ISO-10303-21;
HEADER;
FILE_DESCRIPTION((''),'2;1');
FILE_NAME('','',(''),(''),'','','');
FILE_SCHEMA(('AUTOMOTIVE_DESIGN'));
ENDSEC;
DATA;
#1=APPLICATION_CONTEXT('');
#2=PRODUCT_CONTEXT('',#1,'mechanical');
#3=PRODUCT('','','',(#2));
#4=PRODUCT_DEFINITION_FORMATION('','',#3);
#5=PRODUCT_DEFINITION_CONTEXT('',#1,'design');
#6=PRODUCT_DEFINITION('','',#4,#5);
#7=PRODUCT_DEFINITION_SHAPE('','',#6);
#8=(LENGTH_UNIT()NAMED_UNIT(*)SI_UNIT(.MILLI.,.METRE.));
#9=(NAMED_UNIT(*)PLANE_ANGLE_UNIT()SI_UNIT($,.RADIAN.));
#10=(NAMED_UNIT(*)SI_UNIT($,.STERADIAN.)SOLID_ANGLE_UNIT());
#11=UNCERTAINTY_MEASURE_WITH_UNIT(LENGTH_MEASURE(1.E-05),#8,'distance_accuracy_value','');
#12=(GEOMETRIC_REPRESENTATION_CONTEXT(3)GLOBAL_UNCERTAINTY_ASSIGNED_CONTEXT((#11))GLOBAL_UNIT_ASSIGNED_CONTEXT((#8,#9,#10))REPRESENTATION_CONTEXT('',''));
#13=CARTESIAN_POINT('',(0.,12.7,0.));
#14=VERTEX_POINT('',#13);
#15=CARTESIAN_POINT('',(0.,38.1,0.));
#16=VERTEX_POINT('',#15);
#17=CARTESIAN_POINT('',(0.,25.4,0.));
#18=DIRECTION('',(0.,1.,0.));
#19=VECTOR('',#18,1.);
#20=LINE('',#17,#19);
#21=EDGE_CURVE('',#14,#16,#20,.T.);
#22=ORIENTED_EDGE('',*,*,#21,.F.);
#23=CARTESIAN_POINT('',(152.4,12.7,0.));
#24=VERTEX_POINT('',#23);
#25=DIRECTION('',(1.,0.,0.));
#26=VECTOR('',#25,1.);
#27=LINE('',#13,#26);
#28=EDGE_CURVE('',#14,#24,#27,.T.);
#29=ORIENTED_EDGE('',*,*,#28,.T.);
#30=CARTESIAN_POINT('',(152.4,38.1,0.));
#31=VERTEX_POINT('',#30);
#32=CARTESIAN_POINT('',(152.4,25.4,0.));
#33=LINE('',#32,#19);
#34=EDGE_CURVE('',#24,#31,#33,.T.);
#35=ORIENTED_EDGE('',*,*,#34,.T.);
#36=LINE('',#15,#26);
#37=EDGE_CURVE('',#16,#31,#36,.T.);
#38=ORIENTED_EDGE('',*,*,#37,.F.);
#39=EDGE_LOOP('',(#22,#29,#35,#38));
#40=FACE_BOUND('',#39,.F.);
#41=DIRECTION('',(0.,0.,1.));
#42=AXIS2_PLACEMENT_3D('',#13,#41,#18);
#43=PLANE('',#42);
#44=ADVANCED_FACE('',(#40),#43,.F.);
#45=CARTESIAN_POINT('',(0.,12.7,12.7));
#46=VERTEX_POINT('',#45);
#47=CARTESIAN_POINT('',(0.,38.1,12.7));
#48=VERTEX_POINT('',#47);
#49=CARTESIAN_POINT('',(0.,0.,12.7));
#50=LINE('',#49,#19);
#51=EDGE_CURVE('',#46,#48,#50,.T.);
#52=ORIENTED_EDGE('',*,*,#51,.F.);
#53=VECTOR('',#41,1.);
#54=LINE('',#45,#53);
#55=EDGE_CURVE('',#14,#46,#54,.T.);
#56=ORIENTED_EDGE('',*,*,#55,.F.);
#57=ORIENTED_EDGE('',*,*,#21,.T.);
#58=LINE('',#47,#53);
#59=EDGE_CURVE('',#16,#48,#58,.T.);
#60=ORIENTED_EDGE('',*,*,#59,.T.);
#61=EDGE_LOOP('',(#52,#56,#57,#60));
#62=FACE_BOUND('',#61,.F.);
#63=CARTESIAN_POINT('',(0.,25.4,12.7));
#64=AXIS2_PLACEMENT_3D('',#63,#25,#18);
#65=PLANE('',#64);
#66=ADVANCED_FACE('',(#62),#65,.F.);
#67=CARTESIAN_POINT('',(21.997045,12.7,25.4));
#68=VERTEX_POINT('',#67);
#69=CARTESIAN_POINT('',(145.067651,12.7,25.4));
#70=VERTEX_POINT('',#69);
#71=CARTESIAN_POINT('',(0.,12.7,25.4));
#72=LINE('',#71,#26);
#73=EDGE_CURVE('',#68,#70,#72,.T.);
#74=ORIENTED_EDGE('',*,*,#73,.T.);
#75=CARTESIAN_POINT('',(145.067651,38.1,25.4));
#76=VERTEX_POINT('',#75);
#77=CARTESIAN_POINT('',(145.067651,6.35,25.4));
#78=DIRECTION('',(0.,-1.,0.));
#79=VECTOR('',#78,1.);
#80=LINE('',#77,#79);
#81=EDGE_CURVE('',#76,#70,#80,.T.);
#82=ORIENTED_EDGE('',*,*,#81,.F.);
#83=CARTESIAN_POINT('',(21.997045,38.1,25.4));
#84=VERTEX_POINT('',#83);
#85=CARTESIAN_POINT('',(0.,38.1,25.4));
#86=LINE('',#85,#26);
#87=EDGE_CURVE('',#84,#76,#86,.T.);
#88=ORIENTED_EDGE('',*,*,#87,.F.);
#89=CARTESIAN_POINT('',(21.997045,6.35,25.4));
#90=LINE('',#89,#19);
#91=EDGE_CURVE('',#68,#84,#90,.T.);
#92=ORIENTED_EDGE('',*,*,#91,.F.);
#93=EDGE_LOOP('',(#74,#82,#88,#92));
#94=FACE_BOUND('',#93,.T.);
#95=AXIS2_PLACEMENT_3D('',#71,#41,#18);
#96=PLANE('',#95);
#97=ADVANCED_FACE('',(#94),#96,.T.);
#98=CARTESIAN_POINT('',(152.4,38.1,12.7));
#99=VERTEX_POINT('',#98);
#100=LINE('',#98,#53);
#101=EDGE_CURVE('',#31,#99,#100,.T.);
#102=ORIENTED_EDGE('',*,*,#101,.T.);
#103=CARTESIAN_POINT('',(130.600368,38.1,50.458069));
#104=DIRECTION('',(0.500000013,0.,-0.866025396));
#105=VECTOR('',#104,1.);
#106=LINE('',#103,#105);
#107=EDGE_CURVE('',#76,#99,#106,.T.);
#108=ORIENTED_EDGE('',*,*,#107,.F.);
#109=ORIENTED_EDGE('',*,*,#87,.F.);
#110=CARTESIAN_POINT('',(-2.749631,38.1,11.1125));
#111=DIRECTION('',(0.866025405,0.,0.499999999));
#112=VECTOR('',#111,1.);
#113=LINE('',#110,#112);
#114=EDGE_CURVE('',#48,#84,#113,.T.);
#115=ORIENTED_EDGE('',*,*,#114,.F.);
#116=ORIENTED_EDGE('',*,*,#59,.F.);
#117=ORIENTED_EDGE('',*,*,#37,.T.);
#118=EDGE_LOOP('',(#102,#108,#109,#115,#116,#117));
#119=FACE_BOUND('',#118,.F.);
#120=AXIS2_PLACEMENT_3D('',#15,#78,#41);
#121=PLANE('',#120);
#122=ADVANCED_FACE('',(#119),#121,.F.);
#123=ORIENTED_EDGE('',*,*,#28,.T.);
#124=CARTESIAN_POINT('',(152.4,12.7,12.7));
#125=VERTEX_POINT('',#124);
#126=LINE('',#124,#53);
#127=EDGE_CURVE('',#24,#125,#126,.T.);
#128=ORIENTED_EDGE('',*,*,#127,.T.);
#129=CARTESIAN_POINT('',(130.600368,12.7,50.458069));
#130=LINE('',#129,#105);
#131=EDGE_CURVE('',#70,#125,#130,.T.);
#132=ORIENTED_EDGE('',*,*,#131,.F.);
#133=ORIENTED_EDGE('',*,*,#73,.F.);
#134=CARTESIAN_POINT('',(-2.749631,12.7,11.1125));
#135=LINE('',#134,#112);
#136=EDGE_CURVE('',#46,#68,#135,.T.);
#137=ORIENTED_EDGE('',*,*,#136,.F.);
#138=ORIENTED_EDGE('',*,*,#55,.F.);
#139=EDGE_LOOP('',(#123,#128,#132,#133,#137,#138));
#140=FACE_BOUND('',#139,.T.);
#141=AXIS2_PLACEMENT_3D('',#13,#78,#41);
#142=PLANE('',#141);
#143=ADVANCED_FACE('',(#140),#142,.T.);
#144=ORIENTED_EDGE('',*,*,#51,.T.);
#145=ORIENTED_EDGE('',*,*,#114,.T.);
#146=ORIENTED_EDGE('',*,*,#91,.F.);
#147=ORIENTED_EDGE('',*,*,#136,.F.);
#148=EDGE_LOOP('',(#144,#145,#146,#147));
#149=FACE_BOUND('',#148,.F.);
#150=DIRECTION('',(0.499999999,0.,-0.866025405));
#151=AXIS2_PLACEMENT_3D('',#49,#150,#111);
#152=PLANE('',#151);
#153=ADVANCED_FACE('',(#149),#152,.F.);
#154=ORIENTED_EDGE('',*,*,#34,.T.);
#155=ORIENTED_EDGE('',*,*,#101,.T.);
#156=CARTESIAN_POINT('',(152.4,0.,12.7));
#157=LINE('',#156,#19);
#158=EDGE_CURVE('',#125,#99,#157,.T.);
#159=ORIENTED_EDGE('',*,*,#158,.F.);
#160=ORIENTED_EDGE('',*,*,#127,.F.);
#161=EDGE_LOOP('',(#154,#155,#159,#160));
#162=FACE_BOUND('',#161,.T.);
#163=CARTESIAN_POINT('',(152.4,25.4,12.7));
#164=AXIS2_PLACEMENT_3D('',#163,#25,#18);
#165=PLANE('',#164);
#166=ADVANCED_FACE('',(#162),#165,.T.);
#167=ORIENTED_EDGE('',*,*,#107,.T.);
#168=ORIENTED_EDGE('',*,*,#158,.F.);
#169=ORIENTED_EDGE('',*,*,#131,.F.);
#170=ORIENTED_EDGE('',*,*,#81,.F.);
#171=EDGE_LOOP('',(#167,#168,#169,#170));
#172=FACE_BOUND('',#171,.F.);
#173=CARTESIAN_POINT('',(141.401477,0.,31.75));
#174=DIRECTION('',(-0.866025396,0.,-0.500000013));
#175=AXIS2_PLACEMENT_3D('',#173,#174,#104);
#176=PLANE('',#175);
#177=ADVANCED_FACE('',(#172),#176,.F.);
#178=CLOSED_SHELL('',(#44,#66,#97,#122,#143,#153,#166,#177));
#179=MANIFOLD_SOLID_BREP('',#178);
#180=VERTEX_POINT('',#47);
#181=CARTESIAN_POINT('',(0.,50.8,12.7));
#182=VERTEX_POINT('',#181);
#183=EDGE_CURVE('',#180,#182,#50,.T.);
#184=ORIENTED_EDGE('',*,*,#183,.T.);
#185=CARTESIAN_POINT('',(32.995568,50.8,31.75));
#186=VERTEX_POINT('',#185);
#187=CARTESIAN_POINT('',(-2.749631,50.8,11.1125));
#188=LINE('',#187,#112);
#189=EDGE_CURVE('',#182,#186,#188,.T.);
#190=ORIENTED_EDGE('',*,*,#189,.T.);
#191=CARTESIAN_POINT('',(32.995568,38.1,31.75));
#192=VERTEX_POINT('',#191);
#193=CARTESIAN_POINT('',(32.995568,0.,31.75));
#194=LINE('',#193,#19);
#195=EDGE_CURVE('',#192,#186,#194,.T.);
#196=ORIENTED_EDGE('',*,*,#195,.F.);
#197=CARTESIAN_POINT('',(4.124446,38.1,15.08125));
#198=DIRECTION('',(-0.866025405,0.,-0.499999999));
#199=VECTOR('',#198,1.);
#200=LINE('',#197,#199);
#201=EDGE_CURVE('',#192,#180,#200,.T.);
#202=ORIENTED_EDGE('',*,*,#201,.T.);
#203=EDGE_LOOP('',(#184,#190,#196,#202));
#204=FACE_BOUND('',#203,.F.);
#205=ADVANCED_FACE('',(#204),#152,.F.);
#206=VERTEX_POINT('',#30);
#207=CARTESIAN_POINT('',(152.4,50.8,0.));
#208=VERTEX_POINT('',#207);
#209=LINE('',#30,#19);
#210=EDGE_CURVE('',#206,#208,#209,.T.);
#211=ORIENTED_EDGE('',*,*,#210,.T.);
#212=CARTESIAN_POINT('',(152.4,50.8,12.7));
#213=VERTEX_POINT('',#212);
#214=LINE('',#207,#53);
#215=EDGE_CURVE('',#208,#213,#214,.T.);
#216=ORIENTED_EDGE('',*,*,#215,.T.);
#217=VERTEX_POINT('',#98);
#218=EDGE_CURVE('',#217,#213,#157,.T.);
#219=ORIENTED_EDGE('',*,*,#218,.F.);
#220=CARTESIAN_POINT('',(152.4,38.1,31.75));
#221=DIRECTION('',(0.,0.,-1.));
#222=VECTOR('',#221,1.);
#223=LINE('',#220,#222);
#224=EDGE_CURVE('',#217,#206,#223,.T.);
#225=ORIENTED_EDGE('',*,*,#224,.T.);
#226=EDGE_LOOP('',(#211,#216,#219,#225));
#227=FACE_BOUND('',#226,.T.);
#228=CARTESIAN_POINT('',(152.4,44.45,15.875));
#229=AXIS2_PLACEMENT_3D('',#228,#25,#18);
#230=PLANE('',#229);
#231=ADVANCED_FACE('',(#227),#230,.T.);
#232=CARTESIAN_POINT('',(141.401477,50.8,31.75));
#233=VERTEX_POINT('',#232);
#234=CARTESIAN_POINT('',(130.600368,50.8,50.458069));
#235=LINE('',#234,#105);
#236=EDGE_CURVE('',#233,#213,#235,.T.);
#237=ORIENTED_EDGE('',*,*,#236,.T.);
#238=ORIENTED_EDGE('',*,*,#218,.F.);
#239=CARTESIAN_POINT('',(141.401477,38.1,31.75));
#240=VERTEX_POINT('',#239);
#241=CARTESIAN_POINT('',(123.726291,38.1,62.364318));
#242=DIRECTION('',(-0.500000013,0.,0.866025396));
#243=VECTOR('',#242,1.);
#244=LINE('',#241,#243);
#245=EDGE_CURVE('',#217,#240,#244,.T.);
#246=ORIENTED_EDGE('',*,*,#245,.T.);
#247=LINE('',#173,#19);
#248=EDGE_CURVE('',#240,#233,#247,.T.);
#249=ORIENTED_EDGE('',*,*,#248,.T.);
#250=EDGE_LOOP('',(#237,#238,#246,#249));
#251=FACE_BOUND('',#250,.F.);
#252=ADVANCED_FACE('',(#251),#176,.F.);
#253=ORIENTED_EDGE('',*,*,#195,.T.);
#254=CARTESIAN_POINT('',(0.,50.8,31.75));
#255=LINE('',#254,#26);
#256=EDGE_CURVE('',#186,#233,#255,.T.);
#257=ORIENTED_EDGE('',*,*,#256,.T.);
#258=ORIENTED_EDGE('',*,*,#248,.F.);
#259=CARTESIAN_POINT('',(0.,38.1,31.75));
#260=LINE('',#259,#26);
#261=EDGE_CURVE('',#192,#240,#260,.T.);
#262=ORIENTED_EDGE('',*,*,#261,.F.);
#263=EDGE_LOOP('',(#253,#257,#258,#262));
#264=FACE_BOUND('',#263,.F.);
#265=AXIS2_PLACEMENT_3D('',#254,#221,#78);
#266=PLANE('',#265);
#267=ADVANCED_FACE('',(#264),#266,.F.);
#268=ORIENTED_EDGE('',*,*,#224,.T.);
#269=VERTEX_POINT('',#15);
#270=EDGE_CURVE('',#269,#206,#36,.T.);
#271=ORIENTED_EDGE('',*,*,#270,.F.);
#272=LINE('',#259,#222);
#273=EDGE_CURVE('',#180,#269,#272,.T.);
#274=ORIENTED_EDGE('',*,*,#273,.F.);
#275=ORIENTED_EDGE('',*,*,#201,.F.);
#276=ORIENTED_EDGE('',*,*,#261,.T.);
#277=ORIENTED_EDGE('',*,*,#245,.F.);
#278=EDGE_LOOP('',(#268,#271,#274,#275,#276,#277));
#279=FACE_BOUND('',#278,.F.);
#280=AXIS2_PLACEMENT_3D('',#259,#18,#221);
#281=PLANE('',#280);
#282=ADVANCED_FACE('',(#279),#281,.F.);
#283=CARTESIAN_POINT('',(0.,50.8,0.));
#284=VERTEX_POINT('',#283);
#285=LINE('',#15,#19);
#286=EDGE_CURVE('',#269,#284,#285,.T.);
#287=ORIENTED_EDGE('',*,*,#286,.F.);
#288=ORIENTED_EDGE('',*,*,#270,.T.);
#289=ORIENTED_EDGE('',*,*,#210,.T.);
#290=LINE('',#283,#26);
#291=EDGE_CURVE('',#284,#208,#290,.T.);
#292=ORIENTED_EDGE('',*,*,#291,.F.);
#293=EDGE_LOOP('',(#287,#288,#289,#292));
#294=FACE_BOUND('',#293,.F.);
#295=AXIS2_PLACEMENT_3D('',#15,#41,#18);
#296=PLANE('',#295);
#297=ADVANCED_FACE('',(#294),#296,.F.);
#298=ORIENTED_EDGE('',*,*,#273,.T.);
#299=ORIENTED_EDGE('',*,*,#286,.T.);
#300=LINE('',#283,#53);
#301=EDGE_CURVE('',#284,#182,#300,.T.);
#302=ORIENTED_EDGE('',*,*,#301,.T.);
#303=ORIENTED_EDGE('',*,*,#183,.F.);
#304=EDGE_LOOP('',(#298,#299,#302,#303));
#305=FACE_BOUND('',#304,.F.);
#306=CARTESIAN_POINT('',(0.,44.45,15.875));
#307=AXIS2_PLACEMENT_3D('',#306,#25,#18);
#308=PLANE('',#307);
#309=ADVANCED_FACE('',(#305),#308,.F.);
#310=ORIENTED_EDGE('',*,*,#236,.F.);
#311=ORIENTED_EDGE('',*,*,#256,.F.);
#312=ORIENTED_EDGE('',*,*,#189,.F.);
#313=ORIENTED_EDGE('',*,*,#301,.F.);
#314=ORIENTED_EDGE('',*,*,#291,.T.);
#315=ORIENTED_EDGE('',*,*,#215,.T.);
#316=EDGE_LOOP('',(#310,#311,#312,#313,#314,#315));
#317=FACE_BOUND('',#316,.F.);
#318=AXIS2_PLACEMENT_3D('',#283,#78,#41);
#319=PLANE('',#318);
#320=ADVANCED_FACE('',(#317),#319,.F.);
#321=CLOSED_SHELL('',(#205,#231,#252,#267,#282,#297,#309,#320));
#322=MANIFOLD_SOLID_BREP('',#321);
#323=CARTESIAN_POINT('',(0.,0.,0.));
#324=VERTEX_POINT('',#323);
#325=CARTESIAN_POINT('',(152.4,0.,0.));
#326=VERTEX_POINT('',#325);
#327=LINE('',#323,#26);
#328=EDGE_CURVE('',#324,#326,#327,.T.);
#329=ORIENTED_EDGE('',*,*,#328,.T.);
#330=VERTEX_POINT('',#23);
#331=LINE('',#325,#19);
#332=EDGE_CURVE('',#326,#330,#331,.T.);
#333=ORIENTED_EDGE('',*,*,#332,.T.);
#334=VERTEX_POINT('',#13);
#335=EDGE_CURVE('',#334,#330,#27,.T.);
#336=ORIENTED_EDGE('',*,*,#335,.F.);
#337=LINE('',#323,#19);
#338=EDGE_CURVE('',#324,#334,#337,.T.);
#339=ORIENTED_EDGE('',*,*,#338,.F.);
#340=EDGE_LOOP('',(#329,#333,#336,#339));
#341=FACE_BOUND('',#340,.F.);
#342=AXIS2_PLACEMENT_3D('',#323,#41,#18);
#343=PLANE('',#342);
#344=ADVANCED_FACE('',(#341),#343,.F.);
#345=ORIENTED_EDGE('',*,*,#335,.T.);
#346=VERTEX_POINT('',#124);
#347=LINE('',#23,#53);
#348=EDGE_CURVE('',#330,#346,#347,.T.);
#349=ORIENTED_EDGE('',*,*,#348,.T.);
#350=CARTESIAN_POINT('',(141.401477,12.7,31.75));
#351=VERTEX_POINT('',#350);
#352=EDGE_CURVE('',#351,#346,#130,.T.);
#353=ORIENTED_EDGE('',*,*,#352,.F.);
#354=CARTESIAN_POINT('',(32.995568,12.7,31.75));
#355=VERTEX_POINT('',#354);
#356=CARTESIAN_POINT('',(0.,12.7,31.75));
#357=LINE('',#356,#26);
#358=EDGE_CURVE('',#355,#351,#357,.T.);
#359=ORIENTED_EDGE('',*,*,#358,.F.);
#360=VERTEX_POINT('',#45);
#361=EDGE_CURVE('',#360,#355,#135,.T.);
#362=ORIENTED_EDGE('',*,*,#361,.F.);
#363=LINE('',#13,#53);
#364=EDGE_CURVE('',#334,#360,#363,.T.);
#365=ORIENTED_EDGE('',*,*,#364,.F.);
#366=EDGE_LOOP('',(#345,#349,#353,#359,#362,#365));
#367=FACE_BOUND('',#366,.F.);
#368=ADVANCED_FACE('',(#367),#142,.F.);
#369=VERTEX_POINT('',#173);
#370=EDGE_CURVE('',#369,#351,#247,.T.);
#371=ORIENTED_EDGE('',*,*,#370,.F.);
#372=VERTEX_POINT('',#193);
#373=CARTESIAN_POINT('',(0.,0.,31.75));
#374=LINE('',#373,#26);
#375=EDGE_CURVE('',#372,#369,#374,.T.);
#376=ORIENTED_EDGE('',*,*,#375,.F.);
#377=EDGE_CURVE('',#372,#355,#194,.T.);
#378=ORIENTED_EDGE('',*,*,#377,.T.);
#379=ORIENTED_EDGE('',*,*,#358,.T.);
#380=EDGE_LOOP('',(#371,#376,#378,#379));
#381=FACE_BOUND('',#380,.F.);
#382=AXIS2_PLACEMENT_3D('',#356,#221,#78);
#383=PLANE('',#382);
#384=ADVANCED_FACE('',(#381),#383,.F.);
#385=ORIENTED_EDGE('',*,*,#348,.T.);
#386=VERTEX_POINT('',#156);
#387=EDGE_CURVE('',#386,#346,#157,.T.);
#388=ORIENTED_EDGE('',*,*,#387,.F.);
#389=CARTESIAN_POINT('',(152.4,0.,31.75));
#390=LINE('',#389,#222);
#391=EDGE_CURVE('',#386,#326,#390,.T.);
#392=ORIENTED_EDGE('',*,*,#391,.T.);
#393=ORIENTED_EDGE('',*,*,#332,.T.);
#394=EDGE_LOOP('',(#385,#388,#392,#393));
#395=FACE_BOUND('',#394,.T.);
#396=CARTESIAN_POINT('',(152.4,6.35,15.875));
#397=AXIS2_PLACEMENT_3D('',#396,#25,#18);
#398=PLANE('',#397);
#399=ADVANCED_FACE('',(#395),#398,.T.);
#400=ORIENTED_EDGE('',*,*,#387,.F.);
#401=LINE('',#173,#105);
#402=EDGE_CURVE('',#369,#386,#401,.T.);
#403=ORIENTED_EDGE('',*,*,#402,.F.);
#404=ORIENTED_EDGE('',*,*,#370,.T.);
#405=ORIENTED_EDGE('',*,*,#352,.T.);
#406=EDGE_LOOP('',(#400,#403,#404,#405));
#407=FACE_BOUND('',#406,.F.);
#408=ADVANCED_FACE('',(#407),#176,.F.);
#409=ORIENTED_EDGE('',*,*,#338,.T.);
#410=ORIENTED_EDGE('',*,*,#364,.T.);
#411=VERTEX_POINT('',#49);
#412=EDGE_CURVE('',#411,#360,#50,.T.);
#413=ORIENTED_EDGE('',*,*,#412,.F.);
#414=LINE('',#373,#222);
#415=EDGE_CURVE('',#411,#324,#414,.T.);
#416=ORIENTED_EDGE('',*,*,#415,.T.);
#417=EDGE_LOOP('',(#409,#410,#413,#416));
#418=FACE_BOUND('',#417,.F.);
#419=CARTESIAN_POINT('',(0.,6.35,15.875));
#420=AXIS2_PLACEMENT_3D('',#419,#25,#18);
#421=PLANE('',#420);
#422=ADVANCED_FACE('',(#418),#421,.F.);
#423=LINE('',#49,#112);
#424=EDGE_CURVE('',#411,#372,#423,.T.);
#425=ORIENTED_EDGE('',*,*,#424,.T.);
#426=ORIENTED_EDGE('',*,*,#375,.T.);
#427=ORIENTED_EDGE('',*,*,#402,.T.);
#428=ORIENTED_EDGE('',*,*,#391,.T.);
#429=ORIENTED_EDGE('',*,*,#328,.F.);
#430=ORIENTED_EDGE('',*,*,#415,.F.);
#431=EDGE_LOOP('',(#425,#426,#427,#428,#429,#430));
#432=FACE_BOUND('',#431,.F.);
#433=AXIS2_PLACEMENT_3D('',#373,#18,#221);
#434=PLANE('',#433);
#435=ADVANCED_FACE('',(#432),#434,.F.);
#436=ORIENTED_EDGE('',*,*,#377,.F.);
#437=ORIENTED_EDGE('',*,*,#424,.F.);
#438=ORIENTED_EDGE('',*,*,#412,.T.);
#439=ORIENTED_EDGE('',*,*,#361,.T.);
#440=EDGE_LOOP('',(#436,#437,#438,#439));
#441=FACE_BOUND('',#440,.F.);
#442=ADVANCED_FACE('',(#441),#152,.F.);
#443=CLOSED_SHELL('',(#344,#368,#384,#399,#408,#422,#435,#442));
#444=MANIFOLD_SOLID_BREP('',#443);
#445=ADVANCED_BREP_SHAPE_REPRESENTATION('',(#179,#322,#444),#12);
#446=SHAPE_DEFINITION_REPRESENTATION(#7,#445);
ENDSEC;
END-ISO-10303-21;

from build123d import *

# Parameters (mm, degrees)
F1_DEPTH = 152.4
F0_W     = 25.4
F0_H     = 25.4
F2_DEPTH = 152.4
F4_DEPTH = 50.801


with BuildPart() as f1:
    # F0 (on Right) → F1 (new body)
    with BuildSketch(Plane.YZ):
        Polygon((0, 31.75), (0, 0), (12.7, 0), (12.7, 25.4), (12.7, 31.75), align=None)
        Polygon((38.1, 25.4), (38.1, 0), (50.8, 0), (50.8, 31.75), (38.1, 31.75), align=None)
    extrude(amount=F1_DEPTH)


with BuildPart() as f2:
    # F0 (on Right) → F2 (new body, through all)
    with BuildSketch(Plane.YZ):
        with Locations((25.4, 12.7)):
            Rectangle(F0_W, F0_H)
    extrude(amount=F2_DEPTH)


with BuildPart() as f4_tool:
    # F3 (on face) → F4 (new body, through all)
    with BuildSketch(Plane.XZ):
        Polygon((141.401477, 31.75), (152.4, 12.7), (152.4, 31.75), align=None)
        Polygon((0, 31.75), (0, 12.7), (32.995568, 31.75), align=None)
    extrude(amount=-F4_DEPTH)


with BuildPart() as f1_1:
    add(f1.part)

    # F4: cut by f4_tool
    add(f4_tool.part, mode=Mode.SUBTRACT)


with BuildPart() as f2_1:
    add(f2.part)

    # F4: cut by f4_tool
    add(f4_tool.part, mode=Mode.SUBTRACT)


solid = Compound([f1_1.part, f2_1.part])
